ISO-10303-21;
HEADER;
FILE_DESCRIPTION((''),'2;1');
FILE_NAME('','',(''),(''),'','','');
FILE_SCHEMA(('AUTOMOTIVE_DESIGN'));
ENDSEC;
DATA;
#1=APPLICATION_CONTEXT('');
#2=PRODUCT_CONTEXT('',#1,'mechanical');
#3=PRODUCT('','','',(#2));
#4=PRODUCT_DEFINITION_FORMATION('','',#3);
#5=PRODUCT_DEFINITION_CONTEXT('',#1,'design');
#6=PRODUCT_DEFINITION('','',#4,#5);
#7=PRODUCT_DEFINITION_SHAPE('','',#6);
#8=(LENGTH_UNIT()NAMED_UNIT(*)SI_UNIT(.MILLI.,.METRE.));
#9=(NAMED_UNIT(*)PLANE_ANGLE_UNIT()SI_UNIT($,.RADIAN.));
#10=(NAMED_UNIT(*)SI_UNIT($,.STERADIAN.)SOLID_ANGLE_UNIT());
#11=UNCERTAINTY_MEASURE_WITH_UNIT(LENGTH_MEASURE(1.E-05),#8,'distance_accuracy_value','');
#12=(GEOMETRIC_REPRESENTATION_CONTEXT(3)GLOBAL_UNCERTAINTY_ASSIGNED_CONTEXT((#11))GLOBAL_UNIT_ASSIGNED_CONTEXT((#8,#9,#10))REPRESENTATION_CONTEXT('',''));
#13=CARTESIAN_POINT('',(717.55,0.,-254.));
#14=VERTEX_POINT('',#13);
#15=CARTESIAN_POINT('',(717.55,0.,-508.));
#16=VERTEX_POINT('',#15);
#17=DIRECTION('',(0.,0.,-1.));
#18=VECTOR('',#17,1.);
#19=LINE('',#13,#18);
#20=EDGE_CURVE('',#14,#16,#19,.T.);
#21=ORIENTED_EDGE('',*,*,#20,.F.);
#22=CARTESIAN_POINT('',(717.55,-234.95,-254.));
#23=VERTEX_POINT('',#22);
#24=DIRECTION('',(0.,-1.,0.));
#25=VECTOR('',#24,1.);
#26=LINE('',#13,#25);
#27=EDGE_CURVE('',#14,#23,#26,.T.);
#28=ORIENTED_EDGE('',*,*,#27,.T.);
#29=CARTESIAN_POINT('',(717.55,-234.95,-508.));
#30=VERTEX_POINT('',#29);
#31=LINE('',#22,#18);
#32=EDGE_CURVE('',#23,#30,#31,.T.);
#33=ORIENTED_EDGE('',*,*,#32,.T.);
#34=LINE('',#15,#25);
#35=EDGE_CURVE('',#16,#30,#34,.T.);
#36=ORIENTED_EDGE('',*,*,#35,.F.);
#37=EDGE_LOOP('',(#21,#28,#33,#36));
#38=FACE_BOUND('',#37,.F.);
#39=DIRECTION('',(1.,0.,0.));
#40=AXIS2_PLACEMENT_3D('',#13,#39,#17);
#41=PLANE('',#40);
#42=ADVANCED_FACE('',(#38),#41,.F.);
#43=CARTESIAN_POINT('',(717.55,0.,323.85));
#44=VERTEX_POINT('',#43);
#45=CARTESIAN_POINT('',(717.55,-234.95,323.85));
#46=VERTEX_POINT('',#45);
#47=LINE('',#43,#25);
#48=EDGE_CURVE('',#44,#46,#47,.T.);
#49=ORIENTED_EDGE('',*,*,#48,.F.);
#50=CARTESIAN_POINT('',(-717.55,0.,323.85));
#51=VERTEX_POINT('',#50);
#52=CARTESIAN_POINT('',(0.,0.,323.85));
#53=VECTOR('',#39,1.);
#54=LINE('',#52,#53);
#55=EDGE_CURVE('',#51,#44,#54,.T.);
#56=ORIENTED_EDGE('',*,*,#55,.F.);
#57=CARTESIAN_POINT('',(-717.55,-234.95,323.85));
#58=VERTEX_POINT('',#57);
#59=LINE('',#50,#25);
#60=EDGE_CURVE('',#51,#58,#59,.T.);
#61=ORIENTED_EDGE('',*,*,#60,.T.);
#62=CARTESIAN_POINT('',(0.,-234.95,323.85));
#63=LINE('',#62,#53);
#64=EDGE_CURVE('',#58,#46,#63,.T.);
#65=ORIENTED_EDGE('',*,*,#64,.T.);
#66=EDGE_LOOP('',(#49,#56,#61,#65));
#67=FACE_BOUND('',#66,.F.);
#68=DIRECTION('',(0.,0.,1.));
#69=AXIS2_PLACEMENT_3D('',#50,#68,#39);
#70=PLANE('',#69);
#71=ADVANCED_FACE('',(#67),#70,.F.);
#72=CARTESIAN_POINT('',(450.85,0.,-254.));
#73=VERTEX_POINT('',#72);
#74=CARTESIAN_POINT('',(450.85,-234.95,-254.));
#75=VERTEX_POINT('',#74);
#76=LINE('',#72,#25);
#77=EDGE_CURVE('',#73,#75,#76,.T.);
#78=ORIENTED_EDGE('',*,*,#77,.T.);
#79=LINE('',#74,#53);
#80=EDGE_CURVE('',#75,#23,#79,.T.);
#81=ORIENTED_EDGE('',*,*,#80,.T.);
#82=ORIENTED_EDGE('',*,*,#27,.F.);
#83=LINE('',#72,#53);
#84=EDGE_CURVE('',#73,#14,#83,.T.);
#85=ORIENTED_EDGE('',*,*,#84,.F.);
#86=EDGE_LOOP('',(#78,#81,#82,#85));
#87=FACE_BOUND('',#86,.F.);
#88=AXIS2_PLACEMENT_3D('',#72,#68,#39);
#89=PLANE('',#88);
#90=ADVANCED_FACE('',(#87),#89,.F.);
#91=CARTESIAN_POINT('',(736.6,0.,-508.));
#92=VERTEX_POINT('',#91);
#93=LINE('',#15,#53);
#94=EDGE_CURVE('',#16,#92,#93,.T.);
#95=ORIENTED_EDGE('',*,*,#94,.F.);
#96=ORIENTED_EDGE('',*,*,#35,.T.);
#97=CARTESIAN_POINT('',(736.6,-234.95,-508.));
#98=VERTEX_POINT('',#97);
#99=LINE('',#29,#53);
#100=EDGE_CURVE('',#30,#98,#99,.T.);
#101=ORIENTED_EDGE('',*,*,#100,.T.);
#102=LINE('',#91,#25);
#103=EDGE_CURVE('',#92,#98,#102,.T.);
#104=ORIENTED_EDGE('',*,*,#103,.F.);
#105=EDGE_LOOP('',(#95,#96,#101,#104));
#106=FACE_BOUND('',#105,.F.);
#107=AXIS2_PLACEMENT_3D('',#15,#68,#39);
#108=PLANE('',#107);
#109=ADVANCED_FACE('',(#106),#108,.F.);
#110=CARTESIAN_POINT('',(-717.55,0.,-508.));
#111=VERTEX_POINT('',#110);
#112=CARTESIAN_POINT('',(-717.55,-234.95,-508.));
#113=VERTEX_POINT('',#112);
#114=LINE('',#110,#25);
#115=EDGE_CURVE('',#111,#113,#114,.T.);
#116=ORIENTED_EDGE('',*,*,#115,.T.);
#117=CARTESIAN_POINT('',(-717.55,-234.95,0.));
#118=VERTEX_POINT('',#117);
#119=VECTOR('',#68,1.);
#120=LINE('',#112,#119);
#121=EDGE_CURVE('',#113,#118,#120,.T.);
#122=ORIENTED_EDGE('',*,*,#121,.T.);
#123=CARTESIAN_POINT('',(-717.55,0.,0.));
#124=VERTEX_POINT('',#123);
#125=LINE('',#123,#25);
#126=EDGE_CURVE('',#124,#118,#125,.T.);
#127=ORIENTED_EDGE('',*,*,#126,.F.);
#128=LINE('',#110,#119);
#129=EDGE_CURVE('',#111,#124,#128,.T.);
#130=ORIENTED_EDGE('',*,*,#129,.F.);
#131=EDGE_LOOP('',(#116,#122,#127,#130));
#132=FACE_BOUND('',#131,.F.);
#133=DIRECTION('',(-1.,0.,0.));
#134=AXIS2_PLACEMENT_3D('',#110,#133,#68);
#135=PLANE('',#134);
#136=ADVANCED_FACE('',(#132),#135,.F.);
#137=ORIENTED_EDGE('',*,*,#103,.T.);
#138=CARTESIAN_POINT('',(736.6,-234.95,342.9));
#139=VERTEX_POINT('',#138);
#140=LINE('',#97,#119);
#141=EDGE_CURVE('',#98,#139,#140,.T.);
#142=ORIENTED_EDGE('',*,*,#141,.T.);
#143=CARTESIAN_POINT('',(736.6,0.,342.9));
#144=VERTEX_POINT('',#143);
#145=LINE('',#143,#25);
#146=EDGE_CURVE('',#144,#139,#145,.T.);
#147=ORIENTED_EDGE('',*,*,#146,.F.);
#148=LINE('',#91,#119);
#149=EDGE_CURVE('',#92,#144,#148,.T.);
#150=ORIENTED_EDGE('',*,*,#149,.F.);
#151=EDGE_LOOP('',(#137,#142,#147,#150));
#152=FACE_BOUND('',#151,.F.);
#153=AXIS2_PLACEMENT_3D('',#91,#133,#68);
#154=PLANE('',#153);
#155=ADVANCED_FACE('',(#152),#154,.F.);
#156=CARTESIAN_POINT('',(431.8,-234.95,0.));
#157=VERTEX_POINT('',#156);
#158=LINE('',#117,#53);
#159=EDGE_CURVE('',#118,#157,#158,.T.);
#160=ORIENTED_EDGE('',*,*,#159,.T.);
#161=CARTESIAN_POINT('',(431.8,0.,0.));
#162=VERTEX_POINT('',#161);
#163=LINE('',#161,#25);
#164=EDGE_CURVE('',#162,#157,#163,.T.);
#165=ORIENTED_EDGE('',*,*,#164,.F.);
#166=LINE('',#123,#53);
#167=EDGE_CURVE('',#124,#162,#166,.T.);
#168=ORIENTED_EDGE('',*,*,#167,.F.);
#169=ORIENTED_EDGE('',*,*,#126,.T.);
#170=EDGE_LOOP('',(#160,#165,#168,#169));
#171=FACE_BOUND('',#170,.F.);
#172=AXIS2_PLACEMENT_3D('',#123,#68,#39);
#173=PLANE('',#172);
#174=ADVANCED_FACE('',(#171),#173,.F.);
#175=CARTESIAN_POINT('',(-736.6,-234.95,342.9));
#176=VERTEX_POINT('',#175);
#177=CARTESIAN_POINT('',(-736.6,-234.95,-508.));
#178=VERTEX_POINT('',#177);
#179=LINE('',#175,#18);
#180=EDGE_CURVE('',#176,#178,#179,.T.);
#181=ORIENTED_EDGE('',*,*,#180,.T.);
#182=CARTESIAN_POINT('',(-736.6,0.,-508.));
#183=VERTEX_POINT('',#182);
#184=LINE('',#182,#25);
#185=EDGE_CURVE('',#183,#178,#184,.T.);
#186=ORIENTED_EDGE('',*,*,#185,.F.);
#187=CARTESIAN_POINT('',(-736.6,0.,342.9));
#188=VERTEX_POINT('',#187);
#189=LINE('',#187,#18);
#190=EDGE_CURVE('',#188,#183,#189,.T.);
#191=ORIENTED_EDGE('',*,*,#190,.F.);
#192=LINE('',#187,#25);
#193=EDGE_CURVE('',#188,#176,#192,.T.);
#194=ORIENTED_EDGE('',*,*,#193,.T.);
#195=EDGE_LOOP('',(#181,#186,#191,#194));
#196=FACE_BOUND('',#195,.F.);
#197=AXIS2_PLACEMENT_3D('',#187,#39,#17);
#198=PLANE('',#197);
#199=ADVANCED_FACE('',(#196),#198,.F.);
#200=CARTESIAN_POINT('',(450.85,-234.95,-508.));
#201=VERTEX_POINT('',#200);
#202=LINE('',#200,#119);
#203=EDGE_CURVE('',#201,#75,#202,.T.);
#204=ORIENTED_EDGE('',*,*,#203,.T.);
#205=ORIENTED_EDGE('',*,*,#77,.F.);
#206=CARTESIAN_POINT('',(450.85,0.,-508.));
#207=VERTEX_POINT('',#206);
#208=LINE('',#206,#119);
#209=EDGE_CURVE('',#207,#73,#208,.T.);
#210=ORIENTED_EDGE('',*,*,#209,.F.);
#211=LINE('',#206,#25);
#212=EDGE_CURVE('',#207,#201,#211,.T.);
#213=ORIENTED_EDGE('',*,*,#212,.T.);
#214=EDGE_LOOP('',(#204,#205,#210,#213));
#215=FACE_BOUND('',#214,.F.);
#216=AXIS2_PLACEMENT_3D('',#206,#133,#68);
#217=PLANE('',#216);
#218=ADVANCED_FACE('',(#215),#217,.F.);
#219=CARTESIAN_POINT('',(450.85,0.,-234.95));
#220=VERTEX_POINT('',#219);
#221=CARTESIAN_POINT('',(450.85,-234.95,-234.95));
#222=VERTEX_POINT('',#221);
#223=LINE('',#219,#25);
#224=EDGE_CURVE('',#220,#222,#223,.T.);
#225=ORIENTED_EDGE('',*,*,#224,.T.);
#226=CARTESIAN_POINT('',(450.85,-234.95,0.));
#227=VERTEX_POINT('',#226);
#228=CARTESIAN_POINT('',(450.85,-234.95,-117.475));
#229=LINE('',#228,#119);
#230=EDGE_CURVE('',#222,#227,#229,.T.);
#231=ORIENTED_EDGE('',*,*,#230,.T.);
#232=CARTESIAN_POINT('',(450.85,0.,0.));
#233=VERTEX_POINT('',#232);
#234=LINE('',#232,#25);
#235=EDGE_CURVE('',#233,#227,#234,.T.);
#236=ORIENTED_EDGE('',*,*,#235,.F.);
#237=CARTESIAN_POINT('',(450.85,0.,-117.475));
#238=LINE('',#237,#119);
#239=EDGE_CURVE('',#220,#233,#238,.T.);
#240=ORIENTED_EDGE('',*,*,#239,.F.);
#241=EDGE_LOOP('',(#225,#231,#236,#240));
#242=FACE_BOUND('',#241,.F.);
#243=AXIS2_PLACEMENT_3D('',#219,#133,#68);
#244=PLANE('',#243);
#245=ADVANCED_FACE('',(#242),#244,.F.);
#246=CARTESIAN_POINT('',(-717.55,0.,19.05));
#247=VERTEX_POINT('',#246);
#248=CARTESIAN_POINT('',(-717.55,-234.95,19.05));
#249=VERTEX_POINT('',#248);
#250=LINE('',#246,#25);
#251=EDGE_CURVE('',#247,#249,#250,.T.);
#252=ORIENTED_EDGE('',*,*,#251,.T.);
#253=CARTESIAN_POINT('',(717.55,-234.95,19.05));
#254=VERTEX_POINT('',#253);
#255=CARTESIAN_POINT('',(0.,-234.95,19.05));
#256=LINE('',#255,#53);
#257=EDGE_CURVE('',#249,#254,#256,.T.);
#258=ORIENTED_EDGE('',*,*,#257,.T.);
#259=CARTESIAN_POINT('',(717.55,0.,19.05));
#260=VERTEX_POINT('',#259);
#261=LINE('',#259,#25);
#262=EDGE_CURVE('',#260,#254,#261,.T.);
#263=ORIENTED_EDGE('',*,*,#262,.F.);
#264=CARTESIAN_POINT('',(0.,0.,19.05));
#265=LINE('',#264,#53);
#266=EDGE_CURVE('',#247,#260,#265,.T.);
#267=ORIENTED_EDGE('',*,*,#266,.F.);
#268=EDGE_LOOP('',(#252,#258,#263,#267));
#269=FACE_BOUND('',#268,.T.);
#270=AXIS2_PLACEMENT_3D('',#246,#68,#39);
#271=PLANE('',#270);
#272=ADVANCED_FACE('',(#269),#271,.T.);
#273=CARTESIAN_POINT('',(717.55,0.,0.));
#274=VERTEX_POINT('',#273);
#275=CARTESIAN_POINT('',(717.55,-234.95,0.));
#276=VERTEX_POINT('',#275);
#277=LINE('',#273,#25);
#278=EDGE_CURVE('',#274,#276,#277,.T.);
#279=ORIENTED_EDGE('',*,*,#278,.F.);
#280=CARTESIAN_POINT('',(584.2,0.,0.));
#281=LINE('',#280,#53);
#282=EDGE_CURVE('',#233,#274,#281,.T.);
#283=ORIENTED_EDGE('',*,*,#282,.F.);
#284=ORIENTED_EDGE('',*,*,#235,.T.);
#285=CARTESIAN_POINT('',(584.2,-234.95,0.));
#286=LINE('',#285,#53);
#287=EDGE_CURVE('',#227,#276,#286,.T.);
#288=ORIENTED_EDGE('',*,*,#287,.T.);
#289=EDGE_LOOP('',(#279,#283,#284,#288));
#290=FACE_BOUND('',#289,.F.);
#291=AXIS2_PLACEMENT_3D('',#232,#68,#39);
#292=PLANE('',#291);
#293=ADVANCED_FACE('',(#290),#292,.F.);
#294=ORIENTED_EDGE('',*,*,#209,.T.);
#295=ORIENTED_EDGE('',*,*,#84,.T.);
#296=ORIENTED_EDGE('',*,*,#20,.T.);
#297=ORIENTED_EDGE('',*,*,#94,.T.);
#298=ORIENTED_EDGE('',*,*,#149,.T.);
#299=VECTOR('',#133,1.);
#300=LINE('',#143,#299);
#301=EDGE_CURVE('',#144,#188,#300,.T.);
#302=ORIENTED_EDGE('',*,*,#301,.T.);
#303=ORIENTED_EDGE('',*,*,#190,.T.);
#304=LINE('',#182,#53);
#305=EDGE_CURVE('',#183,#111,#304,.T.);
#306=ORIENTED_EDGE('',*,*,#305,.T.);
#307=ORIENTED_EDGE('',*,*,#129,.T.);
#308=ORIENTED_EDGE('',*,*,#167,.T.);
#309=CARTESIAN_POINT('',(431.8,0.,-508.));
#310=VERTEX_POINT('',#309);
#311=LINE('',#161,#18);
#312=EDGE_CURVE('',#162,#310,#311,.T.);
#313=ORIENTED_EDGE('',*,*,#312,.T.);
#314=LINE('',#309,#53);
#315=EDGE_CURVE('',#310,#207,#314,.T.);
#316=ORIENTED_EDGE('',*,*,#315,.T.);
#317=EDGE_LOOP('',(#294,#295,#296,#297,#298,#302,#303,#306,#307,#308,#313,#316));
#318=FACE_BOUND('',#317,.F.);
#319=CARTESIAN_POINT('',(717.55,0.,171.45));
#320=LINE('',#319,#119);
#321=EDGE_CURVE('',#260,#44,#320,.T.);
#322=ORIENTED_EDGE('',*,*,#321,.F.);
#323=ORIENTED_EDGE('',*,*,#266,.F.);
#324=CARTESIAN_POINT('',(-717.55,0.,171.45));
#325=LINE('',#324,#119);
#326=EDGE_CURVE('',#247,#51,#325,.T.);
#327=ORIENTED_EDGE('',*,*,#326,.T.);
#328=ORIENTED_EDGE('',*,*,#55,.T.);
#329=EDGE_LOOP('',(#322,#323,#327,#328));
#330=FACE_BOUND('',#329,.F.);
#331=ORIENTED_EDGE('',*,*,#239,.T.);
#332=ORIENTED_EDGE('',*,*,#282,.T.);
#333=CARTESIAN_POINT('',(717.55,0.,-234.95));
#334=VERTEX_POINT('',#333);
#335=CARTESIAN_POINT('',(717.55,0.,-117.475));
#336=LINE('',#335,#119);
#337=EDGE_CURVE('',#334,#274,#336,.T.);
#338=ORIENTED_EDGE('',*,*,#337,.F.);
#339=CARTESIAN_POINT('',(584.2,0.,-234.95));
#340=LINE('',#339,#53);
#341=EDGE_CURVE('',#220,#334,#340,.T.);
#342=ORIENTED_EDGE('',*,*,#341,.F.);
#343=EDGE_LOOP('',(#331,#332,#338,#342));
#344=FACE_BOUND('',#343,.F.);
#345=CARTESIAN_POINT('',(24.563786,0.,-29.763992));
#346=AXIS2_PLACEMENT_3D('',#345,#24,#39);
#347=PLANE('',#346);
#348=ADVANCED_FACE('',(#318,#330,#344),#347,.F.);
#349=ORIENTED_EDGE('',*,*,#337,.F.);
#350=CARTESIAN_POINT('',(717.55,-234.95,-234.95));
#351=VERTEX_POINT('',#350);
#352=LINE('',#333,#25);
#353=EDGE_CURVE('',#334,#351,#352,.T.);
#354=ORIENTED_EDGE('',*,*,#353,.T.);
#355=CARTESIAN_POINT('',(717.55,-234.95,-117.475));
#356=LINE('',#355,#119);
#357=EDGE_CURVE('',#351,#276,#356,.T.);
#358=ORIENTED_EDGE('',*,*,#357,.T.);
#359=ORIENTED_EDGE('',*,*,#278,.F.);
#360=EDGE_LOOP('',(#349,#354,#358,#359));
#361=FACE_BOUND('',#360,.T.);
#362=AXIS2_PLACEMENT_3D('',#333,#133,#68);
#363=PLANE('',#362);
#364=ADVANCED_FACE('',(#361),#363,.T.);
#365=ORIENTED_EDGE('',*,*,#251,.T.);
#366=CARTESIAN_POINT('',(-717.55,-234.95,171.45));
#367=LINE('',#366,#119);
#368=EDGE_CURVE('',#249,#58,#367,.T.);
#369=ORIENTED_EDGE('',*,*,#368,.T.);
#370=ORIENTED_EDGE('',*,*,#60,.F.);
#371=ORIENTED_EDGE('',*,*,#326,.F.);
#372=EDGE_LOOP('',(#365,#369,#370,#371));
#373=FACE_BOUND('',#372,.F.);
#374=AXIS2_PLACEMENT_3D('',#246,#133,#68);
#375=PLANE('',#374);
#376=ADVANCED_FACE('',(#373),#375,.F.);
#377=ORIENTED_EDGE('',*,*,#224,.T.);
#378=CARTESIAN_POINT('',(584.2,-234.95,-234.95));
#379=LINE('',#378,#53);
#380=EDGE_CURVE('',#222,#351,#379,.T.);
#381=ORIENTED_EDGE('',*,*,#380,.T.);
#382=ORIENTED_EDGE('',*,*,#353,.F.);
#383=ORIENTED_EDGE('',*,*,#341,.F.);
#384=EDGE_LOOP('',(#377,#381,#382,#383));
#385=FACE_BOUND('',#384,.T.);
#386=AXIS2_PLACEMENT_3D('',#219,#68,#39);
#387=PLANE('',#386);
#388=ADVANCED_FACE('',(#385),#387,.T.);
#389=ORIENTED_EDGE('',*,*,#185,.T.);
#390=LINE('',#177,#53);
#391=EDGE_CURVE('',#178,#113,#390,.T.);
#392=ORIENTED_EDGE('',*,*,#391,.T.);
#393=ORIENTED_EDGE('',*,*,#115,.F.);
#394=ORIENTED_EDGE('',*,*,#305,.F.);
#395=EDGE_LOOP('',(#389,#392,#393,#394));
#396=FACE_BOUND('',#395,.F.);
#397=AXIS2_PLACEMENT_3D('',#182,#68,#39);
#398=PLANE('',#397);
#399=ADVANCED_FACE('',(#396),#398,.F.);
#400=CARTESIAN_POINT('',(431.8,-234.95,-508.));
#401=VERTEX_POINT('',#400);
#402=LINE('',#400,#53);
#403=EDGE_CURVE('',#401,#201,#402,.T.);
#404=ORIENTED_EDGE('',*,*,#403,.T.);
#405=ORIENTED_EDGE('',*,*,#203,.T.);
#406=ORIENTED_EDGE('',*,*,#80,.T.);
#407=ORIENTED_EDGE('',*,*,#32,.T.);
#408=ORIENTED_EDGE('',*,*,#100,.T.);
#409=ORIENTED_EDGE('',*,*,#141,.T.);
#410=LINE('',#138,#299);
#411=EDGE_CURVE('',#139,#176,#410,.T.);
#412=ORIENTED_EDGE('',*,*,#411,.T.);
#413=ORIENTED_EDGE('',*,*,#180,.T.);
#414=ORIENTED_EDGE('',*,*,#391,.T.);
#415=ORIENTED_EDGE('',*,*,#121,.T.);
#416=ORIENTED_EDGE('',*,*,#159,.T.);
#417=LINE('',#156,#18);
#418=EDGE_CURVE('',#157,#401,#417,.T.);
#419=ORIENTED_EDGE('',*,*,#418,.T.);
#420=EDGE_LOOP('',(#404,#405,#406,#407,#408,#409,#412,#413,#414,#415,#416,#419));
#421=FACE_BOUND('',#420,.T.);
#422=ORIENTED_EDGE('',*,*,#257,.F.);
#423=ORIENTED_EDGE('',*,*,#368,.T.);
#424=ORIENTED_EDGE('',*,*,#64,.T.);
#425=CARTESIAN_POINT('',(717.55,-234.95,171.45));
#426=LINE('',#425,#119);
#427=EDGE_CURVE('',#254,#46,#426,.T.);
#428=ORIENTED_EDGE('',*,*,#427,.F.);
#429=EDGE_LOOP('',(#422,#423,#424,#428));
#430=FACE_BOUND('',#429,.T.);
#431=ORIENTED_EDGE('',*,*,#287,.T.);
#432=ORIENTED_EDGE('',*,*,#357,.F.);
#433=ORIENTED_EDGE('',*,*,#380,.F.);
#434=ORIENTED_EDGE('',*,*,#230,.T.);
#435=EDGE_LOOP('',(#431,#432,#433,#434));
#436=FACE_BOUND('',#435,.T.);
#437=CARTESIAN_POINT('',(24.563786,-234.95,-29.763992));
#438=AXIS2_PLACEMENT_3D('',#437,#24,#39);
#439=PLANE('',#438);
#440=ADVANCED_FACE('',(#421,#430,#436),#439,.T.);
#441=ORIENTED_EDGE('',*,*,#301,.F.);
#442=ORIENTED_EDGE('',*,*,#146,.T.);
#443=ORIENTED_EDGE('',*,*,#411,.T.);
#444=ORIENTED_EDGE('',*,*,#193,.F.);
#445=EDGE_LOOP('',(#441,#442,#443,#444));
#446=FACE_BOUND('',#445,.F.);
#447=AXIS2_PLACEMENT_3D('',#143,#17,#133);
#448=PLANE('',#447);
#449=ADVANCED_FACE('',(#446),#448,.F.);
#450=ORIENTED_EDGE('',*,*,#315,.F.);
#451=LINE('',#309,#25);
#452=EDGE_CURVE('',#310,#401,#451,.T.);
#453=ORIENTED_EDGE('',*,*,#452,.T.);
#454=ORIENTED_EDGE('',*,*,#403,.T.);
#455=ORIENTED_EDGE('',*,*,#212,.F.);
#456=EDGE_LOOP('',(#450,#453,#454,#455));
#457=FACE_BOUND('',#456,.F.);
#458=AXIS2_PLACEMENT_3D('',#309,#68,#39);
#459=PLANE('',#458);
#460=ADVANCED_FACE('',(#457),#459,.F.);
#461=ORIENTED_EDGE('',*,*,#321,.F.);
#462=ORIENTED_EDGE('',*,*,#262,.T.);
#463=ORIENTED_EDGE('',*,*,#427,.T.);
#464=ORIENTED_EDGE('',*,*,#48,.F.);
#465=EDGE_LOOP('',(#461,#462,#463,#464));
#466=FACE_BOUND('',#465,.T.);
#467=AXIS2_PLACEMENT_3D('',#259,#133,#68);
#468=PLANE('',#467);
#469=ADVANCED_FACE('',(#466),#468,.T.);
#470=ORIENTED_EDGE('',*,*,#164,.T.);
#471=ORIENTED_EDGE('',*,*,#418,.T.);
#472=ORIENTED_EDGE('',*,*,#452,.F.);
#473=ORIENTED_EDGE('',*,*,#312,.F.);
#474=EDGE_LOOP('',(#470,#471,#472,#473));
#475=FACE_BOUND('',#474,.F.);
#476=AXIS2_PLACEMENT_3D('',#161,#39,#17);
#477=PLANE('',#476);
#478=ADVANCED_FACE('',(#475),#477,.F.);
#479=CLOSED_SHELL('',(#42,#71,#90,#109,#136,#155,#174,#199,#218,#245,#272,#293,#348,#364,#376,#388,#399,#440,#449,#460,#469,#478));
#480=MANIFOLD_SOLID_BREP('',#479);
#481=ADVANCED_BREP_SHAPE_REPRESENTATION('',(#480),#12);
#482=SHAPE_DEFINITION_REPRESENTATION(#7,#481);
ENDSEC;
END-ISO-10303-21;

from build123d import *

# Parameters (mm, degrees)
F0_W     = 266.7
F0_H     = 234.95
F0_W_2   = 1435.1
F0_H_2   = 304.8
F1_DEPTH = 234.95


with BuildPart() as f1:
    # F0 (on Front) → F1 (new body)
    with BuildSketch(Plane.XZ):
        Polygon((736.6, 342.9), (-736.6, 342.9), (-736.6, -508), (-717.55, -508), (-717.55, 0), (431.8, 0), (431.8, -508), (450.85, -508), (450.85, -254), (717.55, -254), (717.55, -508), (736.6, -508), align=None)
        with Locations((584.2, -117.475)):
            Rectangle(F0_W, F0_H, mode=Mode.SUBTRACT)
        with Locations((0, 171.45)):
            Rectangle(F0_W_2, F0_H_2, mode=Mode.SUBTRACT)
    extrude(amount=F1_DEPTH)


solid = f1.part
